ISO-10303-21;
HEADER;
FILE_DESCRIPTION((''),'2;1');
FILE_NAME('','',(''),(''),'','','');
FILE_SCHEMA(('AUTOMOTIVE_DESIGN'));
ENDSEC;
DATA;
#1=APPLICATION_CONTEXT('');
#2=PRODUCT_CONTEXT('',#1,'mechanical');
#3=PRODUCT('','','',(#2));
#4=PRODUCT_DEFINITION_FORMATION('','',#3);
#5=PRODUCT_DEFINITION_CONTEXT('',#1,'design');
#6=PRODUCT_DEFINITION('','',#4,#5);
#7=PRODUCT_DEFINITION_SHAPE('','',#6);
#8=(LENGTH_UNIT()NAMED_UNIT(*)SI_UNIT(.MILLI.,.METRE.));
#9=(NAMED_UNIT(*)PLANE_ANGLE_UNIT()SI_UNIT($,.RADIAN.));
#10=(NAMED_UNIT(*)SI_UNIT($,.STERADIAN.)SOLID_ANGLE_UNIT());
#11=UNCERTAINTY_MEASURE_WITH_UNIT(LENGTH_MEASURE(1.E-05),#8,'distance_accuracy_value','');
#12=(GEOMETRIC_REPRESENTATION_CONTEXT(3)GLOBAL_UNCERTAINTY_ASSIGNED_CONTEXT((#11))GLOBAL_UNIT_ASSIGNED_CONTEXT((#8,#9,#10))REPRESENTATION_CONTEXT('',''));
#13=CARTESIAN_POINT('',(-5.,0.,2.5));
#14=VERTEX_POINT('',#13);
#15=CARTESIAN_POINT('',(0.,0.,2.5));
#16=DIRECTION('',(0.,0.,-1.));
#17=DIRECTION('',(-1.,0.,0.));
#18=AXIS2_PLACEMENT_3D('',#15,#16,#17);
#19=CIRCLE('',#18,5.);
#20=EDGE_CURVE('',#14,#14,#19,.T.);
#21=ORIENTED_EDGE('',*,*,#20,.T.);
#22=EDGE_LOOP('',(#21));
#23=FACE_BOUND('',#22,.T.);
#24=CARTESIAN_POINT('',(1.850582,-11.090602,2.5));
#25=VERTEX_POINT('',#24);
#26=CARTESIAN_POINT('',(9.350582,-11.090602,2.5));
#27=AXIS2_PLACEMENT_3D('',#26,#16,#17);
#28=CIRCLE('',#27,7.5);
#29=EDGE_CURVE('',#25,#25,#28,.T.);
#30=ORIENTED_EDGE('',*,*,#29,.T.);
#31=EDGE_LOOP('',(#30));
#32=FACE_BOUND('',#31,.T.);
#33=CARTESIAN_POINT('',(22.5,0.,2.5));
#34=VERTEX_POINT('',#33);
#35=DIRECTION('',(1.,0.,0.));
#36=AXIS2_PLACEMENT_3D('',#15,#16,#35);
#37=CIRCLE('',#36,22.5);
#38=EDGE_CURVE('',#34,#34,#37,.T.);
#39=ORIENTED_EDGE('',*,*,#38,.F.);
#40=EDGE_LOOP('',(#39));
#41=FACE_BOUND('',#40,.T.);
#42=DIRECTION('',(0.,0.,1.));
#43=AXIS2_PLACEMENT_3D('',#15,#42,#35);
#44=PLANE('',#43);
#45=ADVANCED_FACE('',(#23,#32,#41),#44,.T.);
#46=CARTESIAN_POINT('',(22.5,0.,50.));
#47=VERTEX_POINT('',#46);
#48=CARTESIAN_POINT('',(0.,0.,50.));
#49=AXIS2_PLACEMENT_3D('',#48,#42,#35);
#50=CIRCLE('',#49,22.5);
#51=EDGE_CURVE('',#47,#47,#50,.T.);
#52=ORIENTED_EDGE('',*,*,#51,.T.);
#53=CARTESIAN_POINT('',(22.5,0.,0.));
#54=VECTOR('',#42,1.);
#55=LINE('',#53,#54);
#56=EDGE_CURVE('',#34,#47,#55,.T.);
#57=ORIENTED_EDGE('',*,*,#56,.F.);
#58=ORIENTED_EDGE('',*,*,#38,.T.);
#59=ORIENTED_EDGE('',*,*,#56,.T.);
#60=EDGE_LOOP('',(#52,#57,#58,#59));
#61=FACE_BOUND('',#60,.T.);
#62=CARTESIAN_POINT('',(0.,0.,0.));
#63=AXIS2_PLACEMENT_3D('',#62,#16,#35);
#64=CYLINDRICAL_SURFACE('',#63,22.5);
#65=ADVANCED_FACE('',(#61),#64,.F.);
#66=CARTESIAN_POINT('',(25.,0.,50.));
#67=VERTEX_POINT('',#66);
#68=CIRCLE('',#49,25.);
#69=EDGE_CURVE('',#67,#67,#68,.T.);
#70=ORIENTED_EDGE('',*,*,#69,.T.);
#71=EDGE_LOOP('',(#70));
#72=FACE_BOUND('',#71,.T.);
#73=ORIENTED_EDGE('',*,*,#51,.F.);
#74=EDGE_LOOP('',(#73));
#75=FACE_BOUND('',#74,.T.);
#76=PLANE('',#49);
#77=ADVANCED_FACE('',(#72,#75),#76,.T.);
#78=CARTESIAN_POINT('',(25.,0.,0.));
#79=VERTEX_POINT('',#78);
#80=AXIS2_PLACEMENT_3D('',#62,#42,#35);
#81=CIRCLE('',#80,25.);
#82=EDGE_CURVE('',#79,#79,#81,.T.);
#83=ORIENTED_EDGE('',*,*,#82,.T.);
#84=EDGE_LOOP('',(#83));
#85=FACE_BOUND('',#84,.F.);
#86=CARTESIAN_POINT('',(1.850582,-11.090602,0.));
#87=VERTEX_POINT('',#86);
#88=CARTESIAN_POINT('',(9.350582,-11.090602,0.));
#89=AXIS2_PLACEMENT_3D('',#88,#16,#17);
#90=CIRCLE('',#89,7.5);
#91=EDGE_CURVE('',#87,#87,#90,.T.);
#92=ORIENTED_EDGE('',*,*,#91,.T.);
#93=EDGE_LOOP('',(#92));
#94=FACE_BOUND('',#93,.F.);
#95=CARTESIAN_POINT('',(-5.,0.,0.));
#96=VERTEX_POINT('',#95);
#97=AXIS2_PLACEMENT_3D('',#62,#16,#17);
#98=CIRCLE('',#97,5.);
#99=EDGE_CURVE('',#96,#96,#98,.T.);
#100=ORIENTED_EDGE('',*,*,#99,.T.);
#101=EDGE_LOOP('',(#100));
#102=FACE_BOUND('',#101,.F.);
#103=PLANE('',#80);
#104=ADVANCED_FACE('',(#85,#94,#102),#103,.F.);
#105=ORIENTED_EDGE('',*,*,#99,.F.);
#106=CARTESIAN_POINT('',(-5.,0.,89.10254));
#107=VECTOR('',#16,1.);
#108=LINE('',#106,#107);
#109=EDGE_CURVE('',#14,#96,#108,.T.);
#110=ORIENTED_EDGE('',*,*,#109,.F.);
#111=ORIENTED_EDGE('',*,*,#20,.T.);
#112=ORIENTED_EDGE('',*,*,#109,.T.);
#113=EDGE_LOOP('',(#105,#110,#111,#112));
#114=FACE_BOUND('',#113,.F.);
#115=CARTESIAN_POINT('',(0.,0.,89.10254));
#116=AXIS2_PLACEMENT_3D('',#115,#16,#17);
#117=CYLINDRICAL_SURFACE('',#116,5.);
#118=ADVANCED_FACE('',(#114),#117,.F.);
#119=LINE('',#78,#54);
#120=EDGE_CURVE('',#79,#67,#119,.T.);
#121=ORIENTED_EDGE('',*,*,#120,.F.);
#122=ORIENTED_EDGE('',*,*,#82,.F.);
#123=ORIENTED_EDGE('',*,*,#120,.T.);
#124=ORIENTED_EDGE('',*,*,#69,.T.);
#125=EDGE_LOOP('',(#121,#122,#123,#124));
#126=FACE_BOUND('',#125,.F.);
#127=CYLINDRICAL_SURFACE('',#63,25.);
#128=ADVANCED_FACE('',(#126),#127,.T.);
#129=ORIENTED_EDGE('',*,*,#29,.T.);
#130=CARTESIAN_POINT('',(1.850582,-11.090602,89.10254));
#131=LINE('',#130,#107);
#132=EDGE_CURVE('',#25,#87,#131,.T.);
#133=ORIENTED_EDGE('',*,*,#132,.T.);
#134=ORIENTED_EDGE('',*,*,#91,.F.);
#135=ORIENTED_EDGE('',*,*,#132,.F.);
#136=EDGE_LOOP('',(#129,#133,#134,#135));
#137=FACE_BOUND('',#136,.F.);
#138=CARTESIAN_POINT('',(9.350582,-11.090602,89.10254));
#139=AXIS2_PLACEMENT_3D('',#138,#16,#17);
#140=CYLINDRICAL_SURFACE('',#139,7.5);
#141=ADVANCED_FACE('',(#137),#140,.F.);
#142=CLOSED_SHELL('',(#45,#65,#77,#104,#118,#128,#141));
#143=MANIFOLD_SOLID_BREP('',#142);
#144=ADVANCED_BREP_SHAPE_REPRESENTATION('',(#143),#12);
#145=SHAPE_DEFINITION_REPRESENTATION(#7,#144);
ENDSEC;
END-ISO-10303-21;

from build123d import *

# Parameters (mm, degrees)
F0_R     = 25
F1_DEPTH = 50
F2_T     = -2.5
F4_D     = 10
F6_D     = 15


with BuildPart() as f1:
    # F0 (on Top) → F1 (new body)
    with BuildSketch(Plane.XY):
        Circle(F0_R)
    extrude(amount=F1_DEPTH)

    # F2
    f2_openings = [f1.faces().sort_by_distance(p)[0] for p in [
        (0, 0, 50),
    ]]
    offset(amount=F2_T, openings=f2_openings)

    # F4 (through all)
    with Locations(Plane.XY.offset(2.5)):
        with Locations((0, 0)):
            Hole(F4_D / 2)

    # F6 (through all)
    with Locations(Plane.XY.offset(2.5)):
        with Locations((9.350582, -11.090602)):
            Hole(F6_D / 2)


solid = f1.part
